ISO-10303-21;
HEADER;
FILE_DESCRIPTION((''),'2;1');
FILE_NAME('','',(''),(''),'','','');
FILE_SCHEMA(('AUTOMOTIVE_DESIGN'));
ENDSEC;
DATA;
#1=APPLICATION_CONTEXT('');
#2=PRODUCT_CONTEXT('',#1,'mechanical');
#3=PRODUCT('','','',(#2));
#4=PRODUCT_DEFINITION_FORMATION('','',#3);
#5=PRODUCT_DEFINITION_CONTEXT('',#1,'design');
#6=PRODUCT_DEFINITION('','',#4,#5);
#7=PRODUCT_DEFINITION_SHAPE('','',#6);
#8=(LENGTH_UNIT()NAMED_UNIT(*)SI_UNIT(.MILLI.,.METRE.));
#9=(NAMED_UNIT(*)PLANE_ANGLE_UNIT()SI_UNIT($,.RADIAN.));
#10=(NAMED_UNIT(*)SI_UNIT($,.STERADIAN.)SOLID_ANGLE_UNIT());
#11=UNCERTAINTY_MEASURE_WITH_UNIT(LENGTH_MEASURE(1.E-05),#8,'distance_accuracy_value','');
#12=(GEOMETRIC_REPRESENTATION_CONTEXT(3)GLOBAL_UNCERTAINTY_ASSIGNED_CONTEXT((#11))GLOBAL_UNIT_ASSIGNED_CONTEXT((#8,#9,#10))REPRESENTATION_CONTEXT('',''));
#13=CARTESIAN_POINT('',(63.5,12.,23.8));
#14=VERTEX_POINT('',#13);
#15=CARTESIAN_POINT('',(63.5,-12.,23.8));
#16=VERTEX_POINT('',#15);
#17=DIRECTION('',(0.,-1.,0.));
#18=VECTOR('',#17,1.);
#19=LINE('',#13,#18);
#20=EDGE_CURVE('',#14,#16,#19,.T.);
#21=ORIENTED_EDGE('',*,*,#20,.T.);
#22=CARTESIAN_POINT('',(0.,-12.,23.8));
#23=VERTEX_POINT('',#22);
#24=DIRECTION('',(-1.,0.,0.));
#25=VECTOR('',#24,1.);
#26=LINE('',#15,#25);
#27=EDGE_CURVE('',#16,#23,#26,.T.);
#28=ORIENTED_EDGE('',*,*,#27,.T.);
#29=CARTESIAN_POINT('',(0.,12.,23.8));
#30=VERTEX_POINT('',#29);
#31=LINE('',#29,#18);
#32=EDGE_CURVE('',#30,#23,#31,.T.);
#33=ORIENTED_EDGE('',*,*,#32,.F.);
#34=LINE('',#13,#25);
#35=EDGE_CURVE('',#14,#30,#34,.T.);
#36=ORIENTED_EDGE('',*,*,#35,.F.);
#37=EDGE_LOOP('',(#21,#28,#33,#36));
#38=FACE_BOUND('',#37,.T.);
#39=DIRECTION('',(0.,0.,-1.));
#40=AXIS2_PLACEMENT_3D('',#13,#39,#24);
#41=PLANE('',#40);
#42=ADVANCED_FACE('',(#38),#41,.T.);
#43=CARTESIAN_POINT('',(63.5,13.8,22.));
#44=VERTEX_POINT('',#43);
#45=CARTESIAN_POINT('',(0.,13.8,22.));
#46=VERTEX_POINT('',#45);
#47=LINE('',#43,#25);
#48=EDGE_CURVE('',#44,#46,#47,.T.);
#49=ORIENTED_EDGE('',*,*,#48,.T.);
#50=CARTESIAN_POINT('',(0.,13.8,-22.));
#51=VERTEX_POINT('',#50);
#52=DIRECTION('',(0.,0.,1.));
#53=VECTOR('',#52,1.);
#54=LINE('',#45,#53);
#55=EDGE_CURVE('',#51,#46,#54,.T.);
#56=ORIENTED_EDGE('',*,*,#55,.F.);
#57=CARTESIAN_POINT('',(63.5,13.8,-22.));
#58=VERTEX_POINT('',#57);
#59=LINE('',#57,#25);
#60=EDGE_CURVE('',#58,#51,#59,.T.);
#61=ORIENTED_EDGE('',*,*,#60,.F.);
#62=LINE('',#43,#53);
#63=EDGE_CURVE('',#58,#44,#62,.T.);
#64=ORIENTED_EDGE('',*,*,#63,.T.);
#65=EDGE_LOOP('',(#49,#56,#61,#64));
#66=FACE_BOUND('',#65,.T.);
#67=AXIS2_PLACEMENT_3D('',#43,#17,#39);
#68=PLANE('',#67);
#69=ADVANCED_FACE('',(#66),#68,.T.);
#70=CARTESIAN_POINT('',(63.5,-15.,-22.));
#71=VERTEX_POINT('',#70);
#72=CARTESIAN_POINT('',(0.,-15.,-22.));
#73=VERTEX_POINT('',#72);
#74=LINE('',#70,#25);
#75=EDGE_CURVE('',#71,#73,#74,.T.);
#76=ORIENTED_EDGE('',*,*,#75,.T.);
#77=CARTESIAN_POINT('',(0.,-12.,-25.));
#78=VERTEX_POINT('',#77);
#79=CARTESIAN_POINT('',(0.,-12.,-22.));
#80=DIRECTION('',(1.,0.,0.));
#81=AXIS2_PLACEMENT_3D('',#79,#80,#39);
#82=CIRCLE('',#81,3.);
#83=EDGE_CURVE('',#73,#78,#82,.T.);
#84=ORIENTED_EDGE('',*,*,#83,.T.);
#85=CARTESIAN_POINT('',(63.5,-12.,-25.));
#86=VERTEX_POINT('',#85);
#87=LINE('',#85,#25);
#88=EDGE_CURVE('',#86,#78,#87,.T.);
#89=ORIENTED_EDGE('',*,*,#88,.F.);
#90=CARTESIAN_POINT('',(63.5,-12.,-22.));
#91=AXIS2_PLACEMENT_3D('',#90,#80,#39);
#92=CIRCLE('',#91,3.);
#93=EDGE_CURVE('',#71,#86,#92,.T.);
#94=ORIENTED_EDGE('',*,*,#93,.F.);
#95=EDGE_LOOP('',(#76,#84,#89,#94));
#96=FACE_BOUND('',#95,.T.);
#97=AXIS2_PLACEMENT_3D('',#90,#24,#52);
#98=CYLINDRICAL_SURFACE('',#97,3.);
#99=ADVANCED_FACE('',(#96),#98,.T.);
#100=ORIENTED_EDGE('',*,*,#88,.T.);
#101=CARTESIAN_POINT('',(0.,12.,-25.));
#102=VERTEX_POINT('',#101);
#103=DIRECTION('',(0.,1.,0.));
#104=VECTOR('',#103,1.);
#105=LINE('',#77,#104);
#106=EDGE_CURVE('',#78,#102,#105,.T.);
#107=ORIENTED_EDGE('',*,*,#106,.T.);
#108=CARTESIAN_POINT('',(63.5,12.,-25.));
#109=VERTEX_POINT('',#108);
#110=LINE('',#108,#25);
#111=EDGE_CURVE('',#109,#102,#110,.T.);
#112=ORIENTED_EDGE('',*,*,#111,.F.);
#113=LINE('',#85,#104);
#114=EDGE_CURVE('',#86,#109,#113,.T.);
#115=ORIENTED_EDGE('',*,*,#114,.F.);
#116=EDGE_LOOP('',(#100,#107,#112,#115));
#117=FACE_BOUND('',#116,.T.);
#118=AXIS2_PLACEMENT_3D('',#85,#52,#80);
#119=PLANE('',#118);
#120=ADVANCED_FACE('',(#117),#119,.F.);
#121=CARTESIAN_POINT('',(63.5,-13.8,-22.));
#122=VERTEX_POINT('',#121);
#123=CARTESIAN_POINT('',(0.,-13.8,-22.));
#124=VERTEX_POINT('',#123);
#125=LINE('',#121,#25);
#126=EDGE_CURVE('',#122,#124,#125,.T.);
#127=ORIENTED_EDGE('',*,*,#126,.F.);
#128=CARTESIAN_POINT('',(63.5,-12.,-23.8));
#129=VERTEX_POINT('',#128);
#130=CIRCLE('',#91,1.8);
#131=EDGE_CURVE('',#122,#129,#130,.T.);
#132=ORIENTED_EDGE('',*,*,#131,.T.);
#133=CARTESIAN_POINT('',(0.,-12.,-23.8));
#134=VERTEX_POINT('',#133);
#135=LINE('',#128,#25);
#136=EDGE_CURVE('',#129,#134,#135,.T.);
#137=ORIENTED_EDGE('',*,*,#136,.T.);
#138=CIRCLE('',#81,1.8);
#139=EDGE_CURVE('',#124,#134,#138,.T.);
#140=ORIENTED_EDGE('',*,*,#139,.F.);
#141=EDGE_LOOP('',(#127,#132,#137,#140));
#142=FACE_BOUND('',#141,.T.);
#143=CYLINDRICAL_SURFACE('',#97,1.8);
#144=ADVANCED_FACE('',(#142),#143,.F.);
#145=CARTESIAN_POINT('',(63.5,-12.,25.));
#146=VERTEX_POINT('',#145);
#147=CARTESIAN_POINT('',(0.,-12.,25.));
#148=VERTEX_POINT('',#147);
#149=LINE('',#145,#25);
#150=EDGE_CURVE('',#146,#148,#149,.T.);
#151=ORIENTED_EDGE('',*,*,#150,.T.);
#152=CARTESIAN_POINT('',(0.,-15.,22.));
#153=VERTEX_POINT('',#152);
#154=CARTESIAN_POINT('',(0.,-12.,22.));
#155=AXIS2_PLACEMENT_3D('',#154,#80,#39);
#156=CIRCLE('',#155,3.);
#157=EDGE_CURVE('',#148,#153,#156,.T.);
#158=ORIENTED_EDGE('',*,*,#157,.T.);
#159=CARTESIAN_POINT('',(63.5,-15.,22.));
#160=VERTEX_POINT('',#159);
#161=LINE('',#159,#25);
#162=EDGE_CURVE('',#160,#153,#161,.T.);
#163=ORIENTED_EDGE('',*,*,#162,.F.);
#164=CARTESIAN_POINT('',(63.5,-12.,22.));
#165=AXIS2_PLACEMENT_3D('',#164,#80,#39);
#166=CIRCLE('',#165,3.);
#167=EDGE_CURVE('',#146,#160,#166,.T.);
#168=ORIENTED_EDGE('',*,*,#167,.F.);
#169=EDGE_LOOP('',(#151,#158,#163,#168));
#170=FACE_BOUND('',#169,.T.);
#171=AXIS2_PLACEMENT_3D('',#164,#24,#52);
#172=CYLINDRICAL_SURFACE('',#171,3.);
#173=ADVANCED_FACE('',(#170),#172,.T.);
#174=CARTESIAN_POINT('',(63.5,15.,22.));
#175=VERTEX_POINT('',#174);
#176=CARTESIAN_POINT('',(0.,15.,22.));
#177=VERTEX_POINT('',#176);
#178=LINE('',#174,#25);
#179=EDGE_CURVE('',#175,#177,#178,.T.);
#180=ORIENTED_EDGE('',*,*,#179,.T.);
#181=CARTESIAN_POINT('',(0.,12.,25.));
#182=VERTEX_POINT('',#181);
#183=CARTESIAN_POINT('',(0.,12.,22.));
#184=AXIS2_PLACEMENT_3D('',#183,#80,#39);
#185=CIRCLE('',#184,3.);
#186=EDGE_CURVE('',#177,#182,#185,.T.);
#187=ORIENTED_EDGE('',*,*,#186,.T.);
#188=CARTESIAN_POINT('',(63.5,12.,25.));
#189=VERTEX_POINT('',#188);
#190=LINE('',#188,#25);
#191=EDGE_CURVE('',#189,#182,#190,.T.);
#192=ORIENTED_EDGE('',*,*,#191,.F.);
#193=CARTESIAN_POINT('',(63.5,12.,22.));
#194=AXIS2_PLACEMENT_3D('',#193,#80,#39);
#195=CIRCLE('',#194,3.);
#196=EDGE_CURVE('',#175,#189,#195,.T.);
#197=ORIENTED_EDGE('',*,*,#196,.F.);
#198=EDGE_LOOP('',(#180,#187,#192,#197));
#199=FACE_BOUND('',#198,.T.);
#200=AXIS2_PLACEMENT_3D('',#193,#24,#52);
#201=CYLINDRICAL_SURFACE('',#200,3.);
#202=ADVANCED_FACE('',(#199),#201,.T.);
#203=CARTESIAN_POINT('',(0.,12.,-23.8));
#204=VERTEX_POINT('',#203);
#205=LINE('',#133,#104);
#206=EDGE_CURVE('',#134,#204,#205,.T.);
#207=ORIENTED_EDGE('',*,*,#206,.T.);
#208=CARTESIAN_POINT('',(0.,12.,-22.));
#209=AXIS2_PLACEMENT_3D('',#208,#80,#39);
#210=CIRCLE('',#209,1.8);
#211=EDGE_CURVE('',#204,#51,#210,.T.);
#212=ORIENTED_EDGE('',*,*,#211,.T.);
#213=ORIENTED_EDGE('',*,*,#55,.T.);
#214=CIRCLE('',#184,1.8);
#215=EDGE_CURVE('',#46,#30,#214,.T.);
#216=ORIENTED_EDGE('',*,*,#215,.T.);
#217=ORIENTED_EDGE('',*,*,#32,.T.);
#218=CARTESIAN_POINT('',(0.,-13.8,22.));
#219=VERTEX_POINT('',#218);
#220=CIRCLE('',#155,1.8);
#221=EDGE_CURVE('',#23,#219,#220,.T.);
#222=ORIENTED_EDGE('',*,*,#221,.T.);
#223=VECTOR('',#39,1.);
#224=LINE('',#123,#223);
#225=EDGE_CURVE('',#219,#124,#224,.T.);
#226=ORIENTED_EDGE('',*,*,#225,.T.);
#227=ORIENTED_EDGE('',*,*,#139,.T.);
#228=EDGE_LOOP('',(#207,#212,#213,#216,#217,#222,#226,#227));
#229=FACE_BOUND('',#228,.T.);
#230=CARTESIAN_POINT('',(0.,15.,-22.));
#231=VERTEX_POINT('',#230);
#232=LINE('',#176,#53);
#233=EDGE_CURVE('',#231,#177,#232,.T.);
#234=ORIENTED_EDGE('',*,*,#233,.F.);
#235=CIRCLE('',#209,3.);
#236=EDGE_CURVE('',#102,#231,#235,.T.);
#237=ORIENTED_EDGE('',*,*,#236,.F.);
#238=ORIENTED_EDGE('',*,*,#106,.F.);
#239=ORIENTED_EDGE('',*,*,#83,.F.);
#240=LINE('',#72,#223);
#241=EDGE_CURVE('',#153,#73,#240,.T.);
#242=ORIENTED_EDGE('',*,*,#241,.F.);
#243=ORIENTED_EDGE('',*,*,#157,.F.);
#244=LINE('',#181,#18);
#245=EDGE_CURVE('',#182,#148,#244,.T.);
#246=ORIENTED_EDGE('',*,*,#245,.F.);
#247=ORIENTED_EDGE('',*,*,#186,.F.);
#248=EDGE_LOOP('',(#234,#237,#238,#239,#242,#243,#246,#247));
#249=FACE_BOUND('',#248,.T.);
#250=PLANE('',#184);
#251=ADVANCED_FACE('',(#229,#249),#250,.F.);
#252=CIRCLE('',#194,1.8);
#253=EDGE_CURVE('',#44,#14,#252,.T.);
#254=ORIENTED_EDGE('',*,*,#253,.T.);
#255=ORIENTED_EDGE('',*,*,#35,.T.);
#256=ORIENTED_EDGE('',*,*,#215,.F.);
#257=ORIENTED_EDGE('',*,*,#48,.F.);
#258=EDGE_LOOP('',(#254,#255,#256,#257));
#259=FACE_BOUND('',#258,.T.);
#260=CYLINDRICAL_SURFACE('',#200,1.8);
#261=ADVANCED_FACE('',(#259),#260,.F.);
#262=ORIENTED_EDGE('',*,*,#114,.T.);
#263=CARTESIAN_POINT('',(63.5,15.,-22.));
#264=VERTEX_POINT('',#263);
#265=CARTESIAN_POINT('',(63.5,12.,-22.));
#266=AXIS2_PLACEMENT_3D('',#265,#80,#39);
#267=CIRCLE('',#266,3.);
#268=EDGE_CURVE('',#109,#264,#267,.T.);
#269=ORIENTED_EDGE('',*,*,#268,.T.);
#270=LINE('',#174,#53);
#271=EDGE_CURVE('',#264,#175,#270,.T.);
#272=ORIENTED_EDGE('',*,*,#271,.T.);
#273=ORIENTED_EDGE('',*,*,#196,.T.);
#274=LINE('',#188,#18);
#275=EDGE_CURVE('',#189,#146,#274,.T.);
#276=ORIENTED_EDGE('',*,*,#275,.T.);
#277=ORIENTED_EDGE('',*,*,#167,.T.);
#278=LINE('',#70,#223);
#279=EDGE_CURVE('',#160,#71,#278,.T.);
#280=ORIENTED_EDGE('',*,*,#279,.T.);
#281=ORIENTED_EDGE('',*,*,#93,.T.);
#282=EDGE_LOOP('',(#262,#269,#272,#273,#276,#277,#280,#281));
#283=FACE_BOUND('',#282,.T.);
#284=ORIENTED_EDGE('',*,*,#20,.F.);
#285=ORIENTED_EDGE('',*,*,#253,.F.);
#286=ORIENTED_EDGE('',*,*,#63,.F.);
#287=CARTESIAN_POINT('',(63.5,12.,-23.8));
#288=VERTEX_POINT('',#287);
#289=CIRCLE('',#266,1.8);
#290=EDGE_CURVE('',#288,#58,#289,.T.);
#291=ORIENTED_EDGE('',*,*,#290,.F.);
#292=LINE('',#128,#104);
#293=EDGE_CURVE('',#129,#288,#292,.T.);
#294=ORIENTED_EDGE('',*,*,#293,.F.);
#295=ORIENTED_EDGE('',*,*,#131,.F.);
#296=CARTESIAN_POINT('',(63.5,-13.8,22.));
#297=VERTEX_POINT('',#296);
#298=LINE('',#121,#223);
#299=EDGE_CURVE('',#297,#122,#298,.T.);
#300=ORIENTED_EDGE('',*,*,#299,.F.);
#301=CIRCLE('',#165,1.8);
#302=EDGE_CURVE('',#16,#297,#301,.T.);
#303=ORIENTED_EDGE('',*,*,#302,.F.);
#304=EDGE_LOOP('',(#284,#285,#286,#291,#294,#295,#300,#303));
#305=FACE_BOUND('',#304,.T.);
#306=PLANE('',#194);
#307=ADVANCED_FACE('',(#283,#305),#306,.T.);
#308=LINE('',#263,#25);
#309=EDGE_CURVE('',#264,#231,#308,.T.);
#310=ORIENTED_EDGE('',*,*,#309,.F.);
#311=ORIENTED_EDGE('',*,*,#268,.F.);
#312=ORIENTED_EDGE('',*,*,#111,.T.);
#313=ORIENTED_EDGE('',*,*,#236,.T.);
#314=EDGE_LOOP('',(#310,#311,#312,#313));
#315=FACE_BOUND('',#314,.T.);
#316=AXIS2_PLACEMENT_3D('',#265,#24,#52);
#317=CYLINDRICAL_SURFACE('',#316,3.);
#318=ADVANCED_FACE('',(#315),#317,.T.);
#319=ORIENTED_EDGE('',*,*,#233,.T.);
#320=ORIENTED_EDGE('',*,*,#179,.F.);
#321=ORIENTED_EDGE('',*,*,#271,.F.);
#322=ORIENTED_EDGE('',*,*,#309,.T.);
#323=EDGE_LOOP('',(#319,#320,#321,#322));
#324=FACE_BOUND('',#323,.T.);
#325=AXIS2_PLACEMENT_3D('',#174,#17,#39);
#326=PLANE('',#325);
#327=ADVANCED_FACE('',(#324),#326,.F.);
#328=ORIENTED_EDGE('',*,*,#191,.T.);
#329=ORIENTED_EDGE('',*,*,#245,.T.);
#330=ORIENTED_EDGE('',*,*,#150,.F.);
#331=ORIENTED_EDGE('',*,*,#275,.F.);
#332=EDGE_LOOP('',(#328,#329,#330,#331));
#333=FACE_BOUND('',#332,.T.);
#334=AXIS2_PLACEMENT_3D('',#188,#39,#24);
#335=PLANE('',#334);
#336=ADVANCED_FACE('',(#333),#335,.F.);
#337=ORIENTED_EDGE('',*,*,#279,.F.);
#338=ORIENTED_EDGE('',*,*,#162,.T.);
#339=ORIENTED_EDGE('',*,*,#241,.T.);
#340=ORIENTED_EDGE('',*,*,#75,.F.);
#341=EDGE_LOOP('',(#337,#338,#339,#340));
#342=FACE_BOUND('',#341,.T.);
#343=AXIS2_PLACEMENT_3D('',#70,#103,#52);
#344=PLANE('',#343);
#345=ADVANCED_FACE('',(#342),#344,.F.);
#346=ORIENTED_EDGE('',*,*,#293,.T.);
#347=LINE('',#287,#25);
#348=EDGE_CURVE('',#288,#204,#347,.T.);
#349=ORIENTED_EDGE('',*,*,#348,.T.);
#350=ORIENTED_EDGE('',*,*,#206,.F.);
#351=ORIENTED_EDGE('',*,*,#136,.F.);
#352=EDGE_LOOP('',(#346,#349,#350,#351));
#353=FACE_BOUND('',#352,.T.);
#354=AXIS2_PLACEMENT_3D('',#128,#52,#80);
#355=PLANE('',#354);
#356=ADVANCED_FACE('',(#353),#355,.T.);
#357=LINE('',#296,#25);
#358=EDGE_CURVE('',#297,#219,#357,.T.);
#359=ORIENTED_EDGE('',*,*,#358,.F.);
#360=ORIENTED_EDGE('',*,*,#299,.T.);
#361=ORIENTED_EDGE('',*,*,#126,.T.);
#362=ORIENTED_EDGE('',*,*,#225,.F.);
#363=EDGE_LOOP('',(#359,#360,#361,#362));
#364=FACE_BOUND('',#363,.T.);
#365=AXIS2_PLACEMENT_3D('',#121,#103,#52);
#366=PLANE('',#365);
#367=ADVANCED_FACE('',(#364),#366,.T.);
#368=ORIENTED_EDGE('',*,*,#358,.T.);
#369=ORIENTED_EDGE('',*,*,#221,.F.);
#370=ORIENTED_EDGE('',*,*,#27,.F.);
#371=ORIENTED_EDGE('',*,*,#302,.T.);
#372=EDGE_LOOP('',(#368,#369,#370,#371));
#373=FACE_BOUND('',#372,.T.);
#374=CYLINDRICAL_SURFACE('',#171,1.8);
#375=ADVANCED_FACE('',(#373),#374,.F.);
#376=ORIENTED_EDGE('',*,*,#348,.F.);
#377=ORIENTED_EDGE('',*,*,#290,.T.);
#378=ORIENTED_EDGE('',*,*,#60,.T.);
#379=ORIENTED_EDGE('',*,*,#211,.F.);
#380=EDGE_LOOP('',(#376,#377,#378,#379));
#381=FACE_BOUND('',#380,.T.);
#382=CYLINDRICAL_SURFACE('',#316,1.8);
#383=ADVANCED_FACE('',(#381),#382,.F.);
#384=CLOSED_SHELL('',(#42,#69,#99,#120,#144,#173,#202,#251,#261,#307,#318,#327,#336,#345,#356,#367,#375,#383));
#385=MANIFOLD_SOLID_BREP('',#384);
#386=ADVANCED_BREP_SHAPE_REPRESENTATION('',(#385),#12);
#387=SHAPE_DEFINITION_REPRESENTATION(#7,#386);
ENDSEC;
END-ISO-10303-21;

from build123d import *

# Parameters (mm, degrees)
TUBO_RETANGULAR_50_X_30_X_2_6_1_DEPTH = 63.5


with BuildPart() as part:
    # Sketch1 → Tubo retangular 50 X 30 X 2.6(1) (new body)
    with BuildSketch(Plane.YZ):
        with BuildLine():
            Line((-12, -25), (12, -25))
            ThreePointArc((12, -25), (14.121320344, -24.121320344), (15, -22))
            Line((15, -22), (15, 22))
            ThreePointArc((15, 22), (14.121320344, 24.121320344), (12, 25))
            Line((12, 25), (-12, 25))
            ThreePointArc((-12, 25), (-14.121320344, 24.121320344), (-15, 22))
            Line((-15, 22), (-15, -22))
            ThreePointArc((-15, -22), (-14.121320344, -24.121320344), (-12, -25))
        make_face()
        with BuildLine():
            Line((-12, -23.8), (12, -23.8))
            ThreePointArc((12, -23.8), (13.272792206, -23.272792206), (13.8, -22))
            Line((13.8, -22), (13.8, 22))
            ThreePointArc((13.8, 22), (13.272792206, 23.272792206), (12, 23.8))
            Line((12, 23.8), (-12, 23.8))
            ThreePointArc((-12, 23.8), (-13.272792206, 23.272792206), (-13.8, 22))
            Line((-13.8, 22), (-13.8, -22))
            ThreePointArc((-13.8, -22), (-13.272792206, -23.272792206), (-12, -23.8))
        make_face(mode=Mode.SUBTRACT)
    extrude(amount=TUBO_RETANGULAR_50_X_30_X_2_6_1_DEPTH)


solid = part.part
